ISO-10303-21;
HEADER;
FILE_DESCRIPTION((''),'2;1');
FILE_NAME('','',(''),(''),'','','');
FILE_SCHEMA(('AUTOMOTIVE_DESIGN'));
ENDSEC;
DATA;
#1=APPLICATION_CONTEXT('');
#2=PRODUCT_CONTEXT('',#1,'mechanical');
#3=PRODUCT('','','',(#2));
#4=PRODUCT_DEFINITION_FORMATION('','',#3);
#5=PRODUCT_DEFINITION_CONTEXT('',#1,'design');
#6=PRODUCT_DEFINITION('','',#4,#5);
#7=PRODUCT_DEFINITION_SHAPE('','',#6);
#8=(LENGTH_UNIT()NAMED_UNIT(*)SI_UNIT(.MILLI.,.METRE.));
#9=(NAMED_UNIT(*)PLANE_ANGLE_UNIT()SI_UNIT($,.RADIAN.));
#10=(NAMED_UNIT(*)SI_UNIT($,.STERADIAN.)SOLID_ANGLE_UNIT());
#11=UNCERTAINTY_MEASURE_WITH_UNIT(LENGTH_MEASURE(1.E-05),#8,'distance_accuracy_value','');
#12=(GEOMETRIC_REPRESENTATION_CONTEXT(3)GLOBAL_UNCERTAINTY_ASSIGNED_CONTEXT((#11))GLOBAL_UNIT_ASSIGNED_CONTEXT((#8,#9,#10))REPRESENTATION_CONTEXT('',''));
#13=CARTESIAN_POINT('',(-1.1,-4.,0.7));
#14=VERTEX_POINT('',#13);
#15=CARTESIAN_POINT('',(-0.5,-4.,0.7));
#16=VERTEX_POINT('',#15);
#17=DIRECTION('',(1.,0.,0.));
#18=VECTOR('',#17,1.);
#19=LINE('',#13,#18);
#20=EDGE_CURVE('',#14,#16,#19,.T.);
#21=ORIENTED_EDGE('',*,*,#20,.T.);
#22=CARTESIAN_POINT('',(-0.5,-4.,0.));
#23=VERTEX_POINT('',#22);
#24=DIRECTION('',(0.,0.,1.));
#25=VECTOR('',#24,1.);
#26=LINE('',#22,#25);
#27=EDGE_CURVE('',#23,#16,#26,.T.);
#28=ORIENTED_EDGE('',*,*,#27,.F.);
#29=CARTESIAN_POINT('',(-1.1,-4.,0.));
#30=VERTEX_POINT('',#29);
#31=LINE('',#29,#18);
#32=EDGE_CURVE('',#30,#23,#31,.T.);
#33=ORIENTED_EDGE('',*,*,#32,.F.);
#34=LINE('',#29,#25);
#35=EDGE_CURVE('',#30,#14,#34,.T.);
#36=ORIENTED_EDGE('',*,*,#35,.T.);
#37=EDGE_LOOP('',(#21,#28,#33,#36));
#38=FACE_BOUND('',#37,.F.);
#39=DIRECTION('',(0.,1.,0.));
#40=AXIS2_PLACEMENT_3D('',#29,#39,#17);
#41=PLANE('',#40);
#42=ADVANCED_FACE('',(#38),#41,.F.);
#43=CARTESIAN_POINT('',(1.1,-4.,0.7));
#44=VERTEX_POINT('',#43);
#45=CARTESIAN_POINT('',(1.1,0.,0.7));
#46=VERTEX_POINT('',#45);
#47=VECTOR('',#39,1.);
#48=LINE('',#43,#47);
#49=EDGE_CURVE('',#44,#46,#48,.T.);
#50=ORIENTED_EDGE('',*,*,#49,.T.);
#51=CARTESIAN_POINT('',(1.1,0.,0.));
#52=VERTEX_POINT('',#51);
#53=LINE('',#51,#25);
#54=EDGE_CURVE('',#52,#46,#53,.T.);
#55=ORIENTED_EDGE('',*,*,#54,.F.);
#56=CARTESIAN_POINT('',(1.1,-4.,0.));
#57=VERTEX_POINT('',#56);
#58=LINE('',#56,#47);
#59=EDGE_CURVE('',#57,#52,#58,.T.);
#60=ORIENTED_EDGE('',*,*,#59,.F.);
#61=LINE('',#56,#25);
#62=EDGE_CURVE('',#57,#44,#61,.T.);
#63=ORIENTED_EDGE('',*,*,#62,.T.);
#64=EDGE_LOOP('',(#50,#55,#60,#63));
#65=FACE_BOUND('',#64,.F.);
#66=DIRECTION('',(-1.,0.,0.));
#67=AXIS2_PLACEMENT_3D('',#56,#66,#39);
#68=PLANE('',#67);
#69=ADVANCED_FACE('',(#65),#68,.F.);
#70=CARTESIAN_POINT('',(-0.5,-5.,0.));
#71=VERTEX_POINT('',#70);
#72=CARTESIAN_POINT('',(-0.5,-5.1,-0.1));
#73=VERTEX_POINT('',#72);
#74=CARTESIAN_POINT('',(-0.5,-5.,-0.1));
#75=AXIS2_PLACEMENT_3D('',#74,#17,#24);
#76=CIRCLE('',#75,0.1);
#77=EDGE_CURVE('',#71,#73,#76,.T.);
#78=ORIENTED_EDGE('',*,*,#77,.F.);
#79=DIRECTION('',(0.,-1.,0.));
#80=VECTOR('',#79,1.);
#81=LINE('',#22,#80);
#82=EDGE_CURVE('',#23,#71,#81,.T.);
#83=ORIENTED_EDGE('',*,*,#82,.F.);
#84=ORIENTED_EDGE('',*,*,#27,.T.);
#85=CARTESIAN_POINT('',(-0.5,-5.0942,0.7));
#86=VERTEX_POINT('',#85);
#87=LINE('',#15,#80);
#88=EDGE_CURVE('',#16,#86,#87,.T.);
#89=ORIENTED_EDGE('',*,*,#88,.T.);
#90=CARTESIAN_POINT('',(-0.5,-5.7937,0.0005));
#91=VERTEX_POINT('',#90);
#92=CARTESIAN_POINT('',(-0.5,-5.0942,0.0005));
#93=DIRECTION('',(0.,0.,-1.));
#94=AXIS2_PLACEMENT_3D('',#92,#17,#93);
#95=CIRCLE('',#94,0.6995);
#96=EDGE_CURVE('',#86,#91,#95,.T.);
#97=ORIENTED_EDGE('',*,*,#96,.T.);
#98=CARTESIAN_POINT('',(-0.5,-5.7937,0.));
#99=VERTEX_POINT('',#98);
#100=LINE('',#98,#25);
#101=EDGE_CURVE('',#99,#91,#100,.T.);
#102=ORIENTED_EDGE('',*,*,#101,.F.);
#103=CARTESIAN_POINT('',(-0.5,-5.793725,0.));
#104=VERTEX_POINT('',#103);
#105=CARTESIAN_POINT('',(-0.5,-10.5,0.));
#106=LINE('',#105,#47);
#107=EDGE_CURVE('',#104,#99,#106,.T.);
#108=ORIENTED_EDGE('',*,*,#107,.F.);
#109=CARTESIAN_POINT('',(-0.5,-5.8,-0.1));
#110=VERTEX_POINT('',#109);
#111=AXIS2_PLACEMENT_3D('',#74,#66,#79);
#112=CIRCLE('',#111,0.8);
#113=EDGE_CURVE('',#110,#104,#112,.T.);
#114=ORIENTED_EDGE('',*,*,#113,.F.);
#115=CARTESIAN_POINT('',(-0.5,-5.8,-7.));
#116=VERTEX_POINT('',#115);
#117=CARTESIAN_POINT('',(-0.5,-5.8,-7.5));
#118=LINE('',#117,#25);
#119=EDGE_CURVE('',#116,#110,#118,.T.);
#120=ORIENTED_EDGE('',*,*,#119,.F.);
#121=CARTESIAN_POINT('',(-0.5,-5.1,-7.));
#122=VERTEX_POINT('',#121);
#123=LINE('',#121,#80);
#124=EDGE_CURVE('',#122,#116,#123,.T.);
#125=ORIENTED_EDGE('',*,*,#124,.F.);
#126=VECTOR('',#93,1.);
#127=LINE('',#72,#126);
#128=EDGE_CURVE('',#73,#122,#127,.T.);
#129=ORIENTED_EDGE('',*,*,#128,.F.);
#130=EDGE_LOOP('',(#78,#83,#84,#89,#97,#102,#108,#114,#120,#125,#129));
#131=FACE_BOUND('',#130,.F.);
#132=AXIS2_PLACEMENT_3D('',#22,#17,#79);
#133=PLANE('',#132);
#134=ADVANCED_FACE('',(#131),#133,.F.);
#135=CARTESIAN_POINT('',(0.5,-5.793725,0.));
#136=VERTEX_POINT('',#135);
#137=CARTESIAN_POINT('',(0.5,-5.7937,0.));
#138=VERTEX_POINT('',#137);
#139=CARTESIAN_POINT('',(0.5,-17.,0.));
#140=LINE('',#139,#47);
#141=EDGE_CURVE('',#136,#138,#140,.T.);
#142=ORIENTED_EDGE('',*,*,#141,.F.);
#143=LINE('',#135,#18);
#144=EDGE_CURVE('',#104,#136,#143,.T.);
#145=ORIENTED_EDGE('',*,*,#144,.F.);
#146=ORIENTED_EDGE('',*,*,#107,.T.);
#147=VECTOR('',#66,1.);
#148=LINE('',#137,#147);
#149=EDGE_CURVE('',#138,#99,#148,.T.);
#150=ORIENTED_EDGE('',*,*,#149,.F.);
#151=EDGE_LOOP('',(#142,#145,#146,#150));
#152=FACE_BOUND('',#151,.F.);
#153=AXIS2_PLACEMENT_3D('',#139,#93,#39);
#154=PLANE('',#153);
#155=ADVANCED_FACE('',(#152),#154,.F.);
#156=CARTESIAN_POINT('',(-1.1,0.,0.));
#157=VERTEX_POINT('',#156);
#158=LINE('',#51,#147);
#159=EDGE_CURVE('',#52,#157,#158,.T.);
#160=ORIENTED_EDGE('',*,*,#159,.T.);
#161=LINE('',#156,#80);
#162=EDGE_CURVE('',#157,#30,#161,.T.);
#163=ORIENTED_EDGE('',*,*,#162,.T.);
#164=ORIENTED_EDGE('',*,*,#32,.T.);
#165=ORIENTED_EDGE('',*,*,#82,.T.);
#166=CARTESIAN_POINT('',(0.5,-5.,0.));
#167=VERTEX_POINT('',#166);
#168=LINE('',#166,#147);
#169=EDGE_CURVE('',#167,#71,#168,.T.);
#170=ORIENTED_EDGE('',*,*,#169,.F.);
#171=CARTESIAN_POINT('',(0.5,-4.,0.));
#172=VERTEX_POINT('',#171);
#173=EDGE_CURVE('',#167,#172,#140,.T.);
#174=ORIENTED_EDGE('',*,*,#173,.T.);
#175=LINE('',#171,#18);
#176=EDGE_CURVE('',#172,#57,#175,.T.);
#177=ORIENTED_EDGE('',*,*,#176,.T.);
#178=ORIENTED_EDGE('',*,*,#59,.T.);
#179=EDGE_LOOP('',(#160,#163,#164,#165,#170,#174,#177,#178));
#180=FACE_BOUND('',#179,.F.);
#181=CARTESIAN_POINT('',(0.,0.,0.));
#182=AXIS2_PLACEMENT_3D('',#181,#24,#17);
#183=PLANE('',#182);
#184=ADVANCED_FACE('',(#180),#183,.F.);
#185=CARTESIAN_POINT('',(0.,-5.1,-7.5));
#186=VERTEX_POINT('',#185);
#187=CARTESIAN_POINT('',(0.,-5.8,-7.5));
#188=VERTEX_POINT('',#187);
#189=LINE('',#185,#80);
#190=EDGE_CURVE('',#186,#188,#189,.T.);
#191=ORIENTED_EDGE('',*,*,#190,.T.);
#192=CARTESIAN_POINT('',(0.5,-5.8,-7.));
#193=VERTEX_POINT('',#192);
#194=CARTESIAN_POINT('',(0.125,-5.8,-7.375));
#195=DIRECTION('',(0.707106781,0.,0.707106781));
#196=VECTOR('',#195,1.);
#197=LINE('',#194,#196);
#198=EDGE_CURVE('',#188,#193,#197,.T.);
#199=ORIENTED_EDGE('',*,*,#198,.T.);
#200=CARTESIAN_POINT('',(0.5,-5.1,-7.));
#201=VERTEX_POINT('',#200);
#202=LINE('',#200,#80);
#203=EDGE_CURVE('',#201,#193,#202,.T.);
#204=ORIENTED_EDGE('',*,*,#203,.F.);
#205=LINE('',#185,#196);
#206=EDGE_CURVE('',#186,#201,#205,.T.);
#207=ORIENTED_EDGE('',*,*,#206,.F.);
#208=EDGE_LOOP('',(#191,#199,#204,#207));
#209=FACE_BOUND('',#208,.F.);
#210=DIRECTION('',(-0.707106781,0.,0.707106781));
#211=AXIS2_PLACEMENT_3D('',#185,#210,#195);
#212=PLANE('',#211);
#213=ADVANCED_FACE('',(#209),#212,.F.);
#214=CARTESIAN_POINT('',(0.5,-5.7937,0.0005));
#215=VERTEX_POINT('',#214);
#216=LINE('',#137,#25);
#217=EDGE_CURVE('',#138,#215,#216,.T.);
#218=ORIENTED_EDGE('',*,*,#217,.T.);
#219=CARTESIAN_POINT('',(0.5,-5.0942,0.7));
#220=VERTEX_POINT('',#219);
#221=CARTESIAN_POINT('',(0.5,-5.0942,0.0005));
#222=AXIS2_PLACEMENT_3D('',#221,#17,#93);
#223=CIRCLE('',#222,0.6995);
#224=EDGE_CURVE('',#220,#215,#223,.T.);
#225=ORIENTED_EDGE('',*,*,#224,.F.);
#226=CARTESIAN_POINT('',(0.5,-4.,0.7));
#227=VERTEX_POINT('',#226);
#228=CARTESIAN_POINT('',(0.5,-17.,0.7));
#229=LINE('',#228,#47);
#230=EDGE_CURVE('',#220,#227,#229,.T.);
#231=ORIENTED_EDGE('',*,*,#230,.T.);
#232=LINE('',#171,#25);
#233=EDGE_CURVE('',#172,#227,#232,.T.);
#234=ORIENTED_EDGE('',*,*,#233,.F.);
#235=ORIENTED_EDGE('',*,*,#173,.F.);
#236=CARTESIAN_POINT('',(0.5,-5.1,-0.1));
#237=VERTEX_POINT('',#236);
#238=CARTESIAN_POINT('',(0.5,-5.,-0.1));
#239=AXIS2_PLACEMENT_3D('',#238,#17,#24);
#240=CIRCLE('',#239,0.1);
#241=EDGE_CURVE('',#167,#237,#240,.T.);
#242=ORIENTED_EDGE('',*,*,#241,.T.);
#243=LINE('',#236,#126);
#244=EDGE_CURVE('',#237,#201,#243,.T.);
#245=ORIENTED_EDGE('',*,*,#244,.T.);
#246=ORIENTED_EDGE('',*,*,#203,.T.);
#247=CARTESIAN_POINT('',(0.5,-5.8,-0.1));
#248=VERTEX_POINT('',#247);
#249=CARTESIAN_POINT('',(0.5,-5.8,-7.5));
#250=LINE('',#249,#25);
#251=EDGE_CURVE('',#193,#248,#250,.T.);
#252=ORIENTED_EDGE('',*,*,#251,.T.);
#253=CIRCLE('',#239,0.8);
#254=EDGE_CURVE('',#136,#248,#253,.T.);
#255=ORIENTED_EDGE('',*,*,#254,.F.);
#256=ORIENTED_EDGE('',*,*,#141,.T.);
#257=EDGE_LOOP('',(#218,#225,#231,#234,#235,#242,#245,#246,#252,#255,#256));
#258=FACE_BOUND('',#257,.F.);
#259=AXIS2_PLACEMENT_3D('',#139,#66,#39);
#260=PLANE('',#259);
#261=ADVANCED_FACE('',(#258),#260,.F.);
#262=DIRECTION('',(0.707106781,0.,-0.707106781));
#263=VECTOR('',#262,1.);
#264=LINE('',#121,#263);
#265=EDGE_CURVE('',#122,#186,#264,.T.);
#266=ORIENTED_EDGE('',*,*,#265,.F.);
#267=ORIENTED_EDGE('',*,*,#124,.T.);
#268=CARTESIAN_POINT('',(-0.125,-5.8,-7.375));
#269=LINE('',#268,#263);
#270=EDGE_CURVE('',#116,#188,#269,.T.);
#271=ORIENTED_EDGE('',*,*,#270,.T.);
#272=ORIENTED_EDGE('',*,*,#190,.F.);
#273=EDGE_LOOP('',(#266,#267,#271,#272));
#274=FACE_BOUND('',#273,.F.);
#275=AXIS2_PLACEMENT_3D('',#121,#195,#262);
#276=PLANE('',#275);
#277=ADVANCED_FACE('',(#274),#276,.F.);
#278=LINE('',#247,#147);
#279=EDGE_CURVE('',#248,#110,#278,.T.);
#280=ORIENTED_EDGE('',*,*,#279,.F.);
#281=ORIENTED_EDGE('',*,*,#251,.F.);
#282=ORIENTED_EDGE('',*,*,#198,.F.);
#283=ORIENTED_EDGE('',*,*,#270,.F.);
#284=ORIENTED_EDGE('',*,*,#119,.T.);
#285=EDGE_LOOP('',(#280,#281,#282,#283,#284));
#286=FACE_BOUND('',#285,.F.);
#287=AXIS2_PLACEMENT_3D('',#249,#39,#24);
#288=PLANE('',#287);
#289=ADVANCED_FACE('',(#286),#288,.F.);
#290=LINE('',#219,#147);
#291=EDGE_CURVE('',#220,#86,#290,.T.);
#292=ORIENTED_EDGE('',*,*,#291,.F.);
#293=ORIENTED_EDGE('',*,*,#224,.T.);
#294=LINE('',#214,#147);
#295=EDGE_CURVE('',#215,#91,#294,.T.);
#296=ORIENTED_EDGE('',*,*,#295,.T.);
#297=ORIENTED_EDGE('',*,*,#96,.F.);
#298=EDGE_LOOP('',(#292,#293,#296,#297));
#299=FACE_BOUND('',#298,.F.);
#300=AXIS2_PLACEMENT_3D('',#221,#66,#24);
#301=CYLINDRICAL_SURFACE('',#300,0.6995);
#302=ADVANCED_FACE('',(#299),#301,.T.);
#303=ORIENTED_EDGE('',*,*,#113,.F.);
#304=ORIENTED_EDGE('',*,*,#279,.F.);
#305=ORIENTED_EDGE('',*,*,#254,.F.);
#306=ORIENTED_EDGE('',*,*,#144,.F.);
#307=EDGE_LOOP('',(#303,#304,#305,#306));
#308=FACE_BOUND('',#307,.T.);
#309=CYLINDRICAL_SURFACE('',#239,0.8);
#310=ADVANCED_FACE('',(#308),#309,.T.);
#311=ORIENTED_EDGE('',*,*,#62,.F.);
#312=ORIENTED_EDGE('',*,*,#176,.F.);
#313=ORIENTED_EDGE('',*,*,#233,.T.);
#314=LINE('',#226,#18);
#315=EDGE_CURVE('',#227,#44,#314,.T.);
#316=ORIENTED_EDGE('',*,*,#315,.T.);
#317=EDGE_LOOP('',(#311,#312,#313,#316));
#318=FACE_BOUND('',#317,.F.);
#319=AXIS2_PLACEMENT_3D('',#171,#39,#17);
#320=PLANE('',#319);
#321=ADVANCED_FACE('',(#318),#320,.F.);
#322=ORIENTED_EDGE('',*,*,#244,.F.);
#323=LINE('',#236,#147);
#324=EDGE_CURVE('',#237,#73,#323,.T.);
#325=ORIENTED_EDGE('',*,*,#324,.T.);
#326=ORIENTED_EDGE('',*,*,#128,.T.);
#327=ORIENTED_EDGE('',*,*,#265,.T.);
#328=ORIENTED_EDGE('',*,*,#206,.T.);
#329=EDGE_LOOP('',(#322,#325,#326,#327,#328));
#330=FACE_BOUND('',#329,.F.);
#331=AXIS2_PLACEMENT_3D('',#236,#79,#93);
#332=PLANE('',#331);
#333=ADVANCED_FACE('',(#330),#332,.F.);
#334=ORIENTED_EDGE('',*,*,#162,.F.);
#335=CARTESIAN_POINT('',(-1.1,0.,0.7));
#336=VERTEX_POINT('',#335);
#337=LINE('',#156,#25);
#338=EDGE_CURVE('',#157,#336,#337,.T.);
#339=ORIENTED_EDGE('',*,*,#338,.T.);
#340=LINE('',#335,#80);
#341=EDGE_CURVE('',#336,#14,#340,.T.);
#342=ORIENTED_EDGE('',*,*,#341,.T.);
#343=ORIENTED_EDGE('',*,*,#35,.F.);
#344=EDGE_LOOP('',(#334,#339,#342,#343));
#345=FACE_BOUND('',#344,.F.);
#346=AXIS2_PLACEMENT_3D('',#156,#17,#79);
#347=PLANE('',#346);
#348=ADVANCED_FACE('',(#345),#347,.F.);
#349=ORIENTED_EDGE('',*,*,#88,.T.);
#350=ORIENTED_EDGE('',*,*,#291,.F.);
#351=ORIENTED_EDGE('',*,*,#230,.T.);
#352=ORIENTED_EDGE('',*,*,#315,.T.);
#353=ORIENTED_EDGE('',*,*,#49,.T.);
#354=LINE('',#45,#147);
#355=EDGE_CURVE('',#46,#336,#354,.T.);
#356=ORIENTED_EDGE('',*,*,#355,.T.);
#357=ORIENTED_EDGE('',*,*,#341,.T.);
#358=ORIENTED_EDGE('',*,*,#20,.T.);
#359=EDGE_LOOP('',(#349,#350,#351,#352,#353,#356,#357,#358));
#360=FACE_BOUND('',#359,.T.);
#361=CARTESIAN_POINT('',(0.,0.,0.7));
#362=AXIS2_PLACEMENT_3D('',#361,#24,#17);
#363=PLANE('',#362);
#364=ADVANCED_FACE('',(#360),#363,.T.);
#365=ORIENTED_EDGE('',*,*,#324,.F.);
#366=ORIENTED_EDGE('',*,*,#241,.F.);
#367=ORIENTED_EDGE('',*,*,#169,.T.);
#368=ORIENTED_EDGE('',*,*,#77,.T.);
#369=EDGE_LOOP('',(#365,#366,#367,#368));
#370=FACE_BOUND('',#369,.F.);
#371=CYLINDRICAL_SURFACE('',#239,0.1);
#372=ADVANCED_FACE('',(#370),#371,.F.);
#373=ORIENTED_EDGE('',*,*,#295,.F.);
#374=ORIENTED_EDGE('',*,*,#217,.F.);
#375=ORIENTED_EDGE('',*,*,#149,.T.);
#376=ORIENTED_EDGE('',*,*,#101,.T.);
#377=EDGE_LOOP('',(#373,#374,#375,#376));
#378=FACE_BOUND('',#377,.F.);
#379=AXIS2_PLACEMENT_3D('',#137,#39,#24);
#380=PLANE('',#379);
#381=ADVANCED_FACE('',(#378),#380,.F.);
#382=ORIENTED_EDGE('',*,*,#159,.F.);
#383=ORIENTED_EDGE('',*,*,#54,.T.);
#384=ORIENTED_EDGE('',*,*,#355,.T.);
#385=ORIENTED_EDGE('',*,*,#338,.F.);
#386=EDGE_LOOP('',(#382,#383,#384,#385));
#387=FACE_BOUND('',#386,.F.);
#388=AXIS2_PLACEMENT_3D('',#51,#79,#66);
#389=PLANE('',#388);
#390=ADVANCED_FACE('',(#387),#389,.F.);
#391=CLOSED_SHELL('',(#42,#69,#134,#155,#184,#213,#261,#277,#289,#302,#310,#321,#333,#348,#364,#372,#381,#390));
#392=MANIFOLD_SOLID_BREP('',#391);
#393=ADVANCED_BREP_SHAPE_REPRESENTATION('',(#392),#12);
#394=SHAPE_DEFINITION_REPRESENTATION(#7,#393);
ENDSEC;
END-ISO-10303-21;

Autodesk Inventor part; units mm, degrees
ref_plane "YZ Plane" through (0, 0, 0) normal (1, 0, 0) x (0, 1, 0)
ref_plane "XZ Plane" through (0, 0, 0) normal (0, 1, 0) x (-1, 0, 0)
ref_plane "XY Plane" through (0, 0, 0) normal (0, 0, 1) x (1, 0, 0)
sketch "Sketch1" plane through (0, 0, 0) normal (0, 0, 1) x (1, 0, 0)
  line L0 (1.1, 0) -> (-1.1, 0)
  line L1 (-1.1, 0) -> (-1.1, -4)
  line L2 (-1.1, -4) -> (-0.5, -4)
  line L3 (-0.5, -4) -> (-0.5, -17)
  line L4 (-0.5, -17) -> (0, -17.5)
  line L5 (0, -17.5) -> (0.5, -17)
  line L6 (0.5, -17) -> (0.5, -4)
  line L7 (0.5, -4) -> (1.1, -4)
  line L8 (1.1, -4) -> (1.1, 0)
  line L9 (0, 0) -> (0, -17.5) construction
  dimension "d0" = 2.2
  dimension "d1" = 17.5
  dimension "d3" = 1
  dimension "d4" = 4
  dimension "d5" = -45
extrude "Extrusion1" add sketch "Sketch1" along normal blind 0.7
sketch "Sketch2" plane through (0, 0, 0.7) normal (0, 0, 1) x (1, 0, 0)
  line L0 (1.1, 0) -> (-1.1, 0) projected
  line L1 (-0.5, -4) -> (-0.5, -17) projected
  line L2 (0.5, -17) -> (0.5, -4) projected
  point P0 (0, 0)
  point P1 (-0.5, -5)
  point P2 (0.5, -5)
extrude "Extrusion2" [suppressed]
sketch "Sketch3" plane through (0.5, -4, 0.7) normal (1, 0, 0) x (0, 0, -1)
  line L0 (0.7, 0) -> (0.7, -13) projected
  line L1 (0.8, -1.1) -> (8.2, -1.1)
  line L2 (8.2, -1.1) -> (8.2, -1.8)
  line L3 (8.2, -1.8) -> (0.8, -1.8)
  arc A0 (0.7, -1) -> (0.8, -1.1) centre (0.8, -1) ccw
  line L4 (0.7, -13) -> (0.7, 0) projected
  arc A1 (0, -1) -> (0.8, -1.8) centre (0.8, -1) ccw
  line L5 (0, -13) -> (0, 0) projected
  line L6 (0, -1) -> (0.7, -1) projected
  line L7 (0, -1) -> (0.7, -1)
  point P0 (0.7, 4)
  dimension "d12" = 0.7
  dimension "d19" = 0.1
  dimension "d20" = 0.7
  dimension "d21" = 7.5
extrude "Extrusion5" add sketch "Sketch3" against normal blind 1
sketch "Sketch5" plane through (0.5, -5.1, -0.1) normal (0, 1, 0) x (1, 0, 0)
  line L0 (-1, 0) -> (-1, 7.4) projected
  line L1 (-1, 6.9) -> (-0.5, 7.4)
  line L2 (-0.5, 7.4) -> (-1, 7.4)
  line L3 (-1, 7.4) -> (-1, 6.9)
  line L4 (-0.5, 7.4) -> (0, 6.9)
  line L5 (0, 7.4) -> (-1, 7.4) projected
  line L6 (0, 6.9) -> (0, 7.4)
  line L7 (0, 7.4) -> (-0.5, 7.4)
  line L8 (0, 0) -> (-1, 0) construction
  line L9 (-0.5, 0) -> (-0.5, 7.4) construction
  point P0 (-0.5, -0.1)
  dimension "d25" = 90
extrude "Extrusion6" cut sketch "Sketch5" against normal blind 1
sketch "Sketch6" plane through (0.5, -17, 0.7) normal (1, 0, 0) x (0, 0, -1)
  line L0 (0.7, 0) -> (0.7, 11.2063) projected
  line L1 (0, -0.5) -> (0, 0) projected
  line L2 (0.7, 11.2063) -> (0, 11.2063)
  line L3 (0, 11.2063) -> (0, -0.5)
  line L4 (0, -0.5) -> (0.7, -0.5)
  line L5 (0.7, -0.5) -> (0.7, 11.2063)
  point P0 (0.7, 17)
extrude "Extrusion7" cut sketch "Sketch6" against normal blind 10
fillet "Fillet2" radius 0.7 1 edges at (0, -5.7937, 0.7)
properties part number "BrueckenGR_LVE2560E_Feet" material "Nickel-Copper Alloy 400"
